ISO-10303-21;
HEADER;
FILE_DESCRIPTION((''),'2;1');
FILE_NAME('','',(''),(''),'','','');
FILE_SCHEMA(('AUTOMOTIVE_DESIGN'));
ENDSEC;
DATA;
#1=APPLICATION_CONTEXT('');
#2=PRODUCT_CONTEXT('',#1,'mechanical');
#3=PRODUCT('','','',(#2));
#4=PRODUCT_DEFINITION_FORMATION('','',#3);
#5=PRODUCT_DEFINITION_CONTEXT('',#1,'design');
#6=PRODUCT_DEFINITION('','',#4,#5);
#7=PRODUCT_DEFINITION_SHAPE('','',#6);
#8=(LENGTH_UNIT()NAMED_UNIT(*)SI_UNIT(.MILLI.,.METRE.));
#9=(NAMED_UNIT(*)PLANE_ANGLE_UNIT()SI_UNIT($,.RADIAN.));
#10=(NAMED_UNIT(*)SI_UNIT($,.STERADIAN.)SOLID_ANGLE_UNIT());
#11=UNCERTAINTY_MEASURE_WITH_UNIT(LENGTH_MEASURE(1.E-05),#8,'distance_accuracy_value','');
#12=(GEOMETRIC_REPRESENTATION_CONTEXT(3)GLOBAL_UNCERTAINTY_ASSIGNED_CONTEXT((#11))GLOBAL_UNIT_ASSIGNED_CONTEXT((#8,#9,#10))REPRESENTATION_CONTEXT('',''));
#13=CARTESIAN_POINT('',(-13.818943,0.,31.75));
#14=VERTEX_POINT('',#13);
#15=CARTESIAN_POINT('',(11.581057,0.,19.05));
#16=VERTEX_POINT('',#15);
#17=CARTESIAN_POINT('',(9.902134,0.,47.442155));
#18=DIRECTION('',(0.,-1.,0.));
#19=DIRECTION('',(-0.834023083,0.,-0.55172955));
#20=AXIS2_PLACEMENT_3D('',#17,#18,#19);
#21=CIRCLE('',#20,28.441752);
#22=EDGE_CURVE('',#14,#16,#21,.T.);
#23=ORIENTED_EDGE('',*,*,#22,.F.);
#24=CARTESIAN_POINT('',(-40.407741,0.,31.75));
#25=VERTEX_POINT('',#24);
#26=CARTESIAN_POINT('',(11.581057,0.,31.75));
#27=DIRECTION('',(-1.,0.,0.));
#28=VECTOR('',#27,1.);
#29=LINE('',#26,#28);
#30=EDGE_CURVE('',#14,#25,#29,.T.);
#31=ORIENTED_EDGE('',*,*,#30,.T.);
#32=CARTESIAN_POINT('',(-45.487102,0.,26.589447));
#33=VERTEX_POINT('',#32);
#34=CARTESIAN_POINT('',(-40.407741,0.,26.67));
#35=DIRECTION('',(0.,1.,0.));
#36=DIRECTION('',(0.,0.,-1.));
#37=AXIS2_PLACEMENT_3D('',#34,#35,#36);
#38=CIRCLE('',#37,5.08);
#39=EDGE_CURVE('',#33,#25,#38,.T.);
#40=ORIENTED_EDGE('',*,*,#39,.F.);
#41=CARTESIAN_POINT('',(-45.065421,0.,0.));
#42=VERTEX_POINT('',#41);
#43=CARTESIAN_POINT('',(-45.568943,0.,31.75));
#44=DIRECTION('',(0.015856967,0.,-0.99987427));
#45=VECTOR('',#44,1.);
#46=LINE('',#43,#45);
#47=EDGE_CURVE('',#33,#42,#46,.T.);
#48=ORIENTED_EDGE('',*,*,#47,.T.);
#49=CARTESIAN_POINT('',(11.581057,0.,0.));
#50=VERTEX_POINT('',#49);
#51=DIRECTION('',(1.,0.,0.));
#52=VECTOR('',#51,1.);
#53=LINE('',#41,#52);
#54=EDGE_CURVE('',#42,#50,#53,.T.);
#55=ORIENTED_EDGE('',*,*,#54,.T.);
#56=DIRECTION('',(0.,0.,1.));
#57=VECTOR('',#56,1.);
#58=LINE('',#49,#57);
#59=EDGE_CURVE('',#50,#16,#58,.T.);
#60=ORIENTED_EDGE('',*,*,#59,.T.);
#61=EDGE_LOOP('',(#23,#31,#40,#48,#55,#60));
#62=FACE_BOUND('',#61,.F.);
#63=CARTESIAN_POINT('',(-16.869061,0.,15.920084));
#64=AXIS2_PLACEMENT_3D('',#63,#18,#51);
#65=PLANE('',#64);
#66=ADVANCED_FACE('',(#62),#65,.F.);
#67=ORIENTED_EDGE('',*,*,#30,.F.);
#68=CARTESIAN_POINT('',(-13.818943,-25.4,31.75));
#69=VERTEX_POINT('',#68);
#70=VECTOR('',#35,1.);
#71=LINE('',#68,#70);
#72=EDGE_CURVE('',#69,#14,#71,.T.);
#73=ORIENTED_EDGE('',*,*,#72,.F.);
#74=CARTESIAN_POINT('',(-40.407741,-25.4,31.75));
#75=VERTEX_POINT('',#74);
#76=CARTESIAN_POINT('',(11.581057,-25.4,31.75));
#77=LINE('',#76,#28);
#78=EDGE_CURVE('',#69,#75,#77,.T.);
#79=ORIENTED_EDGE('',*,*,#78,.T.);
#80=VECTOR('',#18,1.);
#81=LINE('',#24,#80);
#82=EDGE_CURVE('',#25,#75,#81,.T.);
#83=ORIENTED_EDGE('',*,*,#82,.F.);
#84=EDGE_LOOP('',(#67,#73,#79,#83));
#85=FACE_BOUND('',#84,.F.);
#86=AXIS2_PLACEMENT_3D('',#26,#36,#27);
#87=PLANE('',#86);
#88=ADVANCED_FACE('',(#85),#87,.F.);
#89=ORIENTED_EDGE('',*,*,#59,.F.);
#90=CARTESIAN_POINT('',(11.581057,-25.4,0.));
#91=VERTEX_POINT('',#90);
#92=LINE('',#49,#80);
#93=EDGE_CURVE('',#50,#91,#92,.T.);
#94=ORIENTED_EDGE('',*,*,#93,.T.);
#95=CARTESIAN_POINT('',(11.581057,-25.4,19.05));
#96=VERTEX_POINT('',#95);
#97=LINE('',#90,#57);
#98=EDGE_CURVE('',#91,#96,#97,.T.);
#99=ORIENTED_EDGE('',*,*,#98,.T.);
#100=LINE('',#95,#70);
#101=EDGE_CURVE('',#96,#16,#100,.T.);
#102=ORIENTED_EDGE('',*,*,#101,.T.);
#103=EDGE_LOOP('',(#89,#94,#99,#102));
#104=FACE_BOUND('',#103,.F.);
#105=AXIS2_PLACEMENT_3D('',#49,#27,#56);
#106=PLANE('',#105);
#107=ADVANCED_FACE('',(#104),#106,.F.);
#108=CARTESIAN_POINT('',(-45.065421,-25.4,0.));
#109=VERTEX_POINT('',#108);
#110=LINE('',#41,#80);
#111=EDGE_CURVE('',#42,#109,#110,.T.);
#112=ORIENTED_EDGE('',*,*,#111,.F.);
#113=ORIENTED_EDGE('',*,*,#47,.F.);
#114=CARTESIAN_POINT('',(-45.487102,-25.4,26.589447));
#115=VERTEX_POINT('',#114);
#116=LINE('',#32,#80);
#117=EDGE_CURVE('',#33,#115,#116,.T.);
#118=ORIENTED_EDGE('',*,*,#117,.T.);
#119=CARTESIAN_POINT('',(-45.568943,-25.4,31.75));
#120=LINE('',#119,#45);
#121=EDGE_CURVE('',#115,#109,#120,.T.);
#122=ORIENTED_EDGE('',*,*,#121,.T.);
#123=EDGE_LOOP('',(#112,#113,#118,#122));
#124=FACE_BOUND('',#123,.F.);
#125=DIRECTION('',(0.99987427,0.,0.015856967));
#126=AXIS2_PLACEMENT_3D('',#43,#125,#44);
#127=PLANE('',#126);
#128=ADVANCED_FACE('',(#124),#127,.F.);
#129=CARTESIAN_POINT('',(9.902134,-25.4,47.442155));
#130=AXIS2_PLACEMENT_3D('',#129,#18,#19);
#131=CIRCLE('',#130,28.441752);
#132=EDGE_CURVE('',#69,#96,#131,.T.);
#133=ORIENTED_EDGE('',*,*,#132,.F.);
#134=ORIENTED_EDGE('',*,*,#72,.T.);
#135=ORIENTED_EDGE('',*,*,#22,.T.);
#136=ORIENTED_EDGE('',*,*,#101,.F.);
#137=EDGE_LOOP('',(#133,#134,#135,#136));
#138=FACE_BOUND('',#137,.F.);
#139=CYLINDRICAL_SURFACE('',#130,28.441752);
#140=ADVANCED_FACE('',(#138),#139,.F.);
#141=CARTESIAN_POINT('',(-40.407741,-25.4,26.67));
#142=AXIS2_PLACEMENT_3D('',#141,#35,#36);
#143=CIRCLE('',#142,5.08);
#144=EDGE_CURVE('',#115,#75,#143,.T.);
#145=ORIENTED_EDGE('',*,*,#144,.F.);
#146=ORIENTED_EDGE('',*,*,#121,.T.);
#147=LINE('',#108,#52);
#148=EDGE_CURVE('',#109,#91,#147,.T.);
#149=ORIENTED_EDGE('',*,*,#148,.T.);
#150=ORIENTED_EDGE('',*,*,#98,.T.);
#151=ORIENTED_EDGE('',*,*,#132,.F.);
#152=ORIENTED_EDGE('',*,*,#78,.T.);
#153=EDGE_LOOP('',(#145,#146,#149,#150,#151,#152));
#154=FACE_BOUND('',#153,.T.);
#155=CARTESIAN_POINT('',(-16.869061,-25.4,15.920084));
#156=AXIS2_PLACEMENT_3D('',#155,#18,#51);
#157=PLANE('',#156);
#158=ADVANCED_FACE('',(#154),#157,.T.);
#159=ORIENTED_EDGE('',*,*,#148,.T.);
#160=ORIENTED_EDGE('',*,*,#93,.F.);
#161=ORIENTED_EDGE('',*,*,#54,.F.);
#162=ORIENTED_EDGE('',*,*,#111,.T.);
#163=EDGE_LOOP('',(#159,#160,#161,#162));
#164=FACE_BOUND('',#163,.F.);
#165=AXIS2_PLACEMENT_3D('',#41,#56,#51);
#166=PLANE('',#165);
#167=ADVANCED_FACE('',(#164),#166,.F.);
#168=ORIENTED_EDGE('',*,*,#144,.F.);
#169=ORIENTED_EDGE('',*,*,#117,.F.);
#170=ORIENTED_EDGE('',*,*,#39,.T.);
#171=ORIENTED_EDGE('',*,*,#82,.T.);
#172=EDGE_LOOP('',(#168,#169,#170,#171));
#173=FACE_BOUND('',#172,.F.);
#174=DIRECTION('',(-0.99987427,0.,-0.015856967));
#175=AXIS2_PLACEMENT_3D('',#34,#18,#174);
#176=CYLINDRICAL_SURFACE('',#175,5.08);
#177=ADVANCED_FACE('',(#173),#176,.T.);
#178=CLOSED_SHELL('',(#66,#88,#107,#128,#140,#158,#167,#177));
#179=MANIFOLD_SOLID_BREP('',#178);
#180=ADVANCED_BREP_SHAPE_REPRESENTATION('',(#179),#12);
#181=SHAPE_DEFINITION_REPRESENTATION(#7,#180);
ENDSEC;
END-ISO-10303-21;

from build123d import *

# Parameters (mm, degrees)
F1_DEPTH = 25.4
F3_DEPTH = 25.4
F4_R     = 5.08


with BuildPart() as f1:
    # F0 (on Front) → F1 (new body)
    with BuildSketch(Plane.XZ):
        Polygon((-45.568943, 31.75), (-45.065421, 0), (11.581057, 0), (11.581057, 31.75), align=None)
    extrude(amount=F1_DEPTH)

    # F2 (on face) → F3 (cut)
    with BuildSketch(Plane.XZ.offset(25.4)):
        with BuildLine():
            Line((11.581057, 31.75), (-13.818943, 31.75))
            ThreePointArc((-13.818943, 31.75), (-2.817404, 22.003079), (11.581057, 19.05))
            Line((11.581057, 19.05), (11.581057, 31.75))
        make_face()
    extrude(amount=-F3_DEPTH, mode=Mode.SUBTRACT)

    # F4
    f4_edges = [f1.edges().sort_by_distance(p)[0] for p in [
        (-45.568943, -12.7, 31.75),
    ]]
    fillet(f4_edges, radius=F4_R)


solid = f1.part
